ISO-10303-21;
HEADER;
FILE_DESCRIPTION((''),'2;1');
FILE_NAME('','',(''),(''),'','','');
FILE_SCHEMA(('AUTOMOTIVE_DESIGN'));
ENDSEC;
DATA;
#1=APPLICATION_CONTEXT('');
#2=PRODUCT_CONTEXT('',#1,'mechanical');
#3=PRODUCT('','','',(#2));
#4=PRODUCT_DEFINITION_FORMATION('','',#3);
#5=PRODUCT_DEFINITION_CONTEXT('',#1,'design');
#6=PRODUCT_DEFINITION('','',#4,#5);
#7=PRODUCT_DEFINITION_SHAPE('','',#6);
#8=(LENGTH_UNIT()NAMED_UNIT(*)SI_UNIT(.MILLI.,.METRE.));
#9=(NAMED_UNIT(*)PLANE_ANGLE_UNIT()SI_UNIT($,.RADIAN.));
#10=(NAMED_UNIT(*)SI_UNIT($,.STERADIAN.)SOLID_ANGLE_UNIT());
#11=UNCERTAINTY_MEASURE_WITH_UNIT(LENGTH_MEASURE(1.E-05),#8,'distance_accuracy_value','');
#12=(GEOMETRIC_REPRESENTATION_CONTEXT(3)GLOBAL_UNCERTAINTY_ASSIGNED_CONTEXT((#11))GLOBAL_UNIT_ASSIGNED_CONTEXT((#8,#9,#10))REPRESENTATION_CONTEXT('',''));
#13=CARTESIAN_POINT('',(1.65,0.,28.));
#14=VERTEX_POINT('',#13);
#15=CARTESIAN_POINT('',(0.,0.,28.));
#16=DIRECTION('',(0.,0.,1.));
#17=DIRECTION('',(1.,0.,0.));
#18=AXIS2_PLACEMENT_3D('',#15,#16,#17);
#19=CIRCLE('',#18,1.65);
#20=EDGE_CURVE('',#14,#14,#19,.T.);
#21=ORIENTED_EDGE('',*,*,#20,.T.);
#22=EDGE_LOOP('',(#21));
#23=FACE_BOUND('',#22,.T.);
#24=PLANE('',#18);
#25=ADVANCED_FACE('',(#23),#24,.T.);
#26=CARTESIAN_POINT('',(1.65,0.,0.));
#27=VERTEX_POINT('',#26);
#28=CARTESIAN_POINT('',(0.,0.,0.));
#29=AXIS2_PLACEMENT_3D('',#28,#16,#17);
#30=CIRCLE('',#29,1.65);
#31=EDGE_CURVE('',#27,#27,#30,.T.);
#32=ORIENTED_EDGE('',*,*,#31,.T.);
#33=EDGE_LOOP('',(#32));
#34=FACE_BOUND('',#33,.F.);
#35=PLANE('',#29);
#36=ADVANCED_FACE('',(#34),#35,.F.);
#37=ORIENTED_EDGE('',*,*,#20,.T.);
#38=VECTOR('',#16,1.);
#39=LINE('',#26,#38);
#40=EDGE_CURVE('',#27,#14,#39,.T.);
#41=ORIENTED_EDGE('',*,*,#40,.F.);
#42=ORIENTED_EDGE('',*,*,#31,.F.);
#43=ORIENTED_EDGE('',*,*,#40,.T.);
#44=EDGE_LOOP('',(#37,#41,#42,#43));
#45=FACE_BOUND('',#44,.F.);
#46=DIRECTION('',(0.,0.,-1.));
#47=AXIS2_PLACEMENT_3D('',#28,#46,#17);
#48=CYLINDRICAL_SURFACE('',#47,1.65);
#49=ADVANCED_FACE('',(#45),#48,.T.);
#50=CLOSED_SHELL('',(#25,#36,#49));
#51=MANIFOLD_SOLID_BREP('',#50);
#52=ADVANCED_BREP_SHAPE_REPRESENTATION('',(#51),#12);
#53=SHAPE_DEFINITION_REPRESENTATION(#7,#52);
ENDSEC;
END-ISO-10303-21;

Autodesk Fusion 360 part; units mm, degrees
sketch "Sketch1" plane through (0, 0, 0) normal (0, 0, 1) x (1, 0, 0)
  circle A0 centre (0, 0) radius 1.65
  dimension "d4" = 3.3
extrude "Extrude1" add sketch "Sketch1" along normal blind 28
equation "dowel_pin_radius = 1.65 mm"
equation "length = 28 mm"
equation "d4 = dowel_pin_radius * 2"
equation "d5 = length"
